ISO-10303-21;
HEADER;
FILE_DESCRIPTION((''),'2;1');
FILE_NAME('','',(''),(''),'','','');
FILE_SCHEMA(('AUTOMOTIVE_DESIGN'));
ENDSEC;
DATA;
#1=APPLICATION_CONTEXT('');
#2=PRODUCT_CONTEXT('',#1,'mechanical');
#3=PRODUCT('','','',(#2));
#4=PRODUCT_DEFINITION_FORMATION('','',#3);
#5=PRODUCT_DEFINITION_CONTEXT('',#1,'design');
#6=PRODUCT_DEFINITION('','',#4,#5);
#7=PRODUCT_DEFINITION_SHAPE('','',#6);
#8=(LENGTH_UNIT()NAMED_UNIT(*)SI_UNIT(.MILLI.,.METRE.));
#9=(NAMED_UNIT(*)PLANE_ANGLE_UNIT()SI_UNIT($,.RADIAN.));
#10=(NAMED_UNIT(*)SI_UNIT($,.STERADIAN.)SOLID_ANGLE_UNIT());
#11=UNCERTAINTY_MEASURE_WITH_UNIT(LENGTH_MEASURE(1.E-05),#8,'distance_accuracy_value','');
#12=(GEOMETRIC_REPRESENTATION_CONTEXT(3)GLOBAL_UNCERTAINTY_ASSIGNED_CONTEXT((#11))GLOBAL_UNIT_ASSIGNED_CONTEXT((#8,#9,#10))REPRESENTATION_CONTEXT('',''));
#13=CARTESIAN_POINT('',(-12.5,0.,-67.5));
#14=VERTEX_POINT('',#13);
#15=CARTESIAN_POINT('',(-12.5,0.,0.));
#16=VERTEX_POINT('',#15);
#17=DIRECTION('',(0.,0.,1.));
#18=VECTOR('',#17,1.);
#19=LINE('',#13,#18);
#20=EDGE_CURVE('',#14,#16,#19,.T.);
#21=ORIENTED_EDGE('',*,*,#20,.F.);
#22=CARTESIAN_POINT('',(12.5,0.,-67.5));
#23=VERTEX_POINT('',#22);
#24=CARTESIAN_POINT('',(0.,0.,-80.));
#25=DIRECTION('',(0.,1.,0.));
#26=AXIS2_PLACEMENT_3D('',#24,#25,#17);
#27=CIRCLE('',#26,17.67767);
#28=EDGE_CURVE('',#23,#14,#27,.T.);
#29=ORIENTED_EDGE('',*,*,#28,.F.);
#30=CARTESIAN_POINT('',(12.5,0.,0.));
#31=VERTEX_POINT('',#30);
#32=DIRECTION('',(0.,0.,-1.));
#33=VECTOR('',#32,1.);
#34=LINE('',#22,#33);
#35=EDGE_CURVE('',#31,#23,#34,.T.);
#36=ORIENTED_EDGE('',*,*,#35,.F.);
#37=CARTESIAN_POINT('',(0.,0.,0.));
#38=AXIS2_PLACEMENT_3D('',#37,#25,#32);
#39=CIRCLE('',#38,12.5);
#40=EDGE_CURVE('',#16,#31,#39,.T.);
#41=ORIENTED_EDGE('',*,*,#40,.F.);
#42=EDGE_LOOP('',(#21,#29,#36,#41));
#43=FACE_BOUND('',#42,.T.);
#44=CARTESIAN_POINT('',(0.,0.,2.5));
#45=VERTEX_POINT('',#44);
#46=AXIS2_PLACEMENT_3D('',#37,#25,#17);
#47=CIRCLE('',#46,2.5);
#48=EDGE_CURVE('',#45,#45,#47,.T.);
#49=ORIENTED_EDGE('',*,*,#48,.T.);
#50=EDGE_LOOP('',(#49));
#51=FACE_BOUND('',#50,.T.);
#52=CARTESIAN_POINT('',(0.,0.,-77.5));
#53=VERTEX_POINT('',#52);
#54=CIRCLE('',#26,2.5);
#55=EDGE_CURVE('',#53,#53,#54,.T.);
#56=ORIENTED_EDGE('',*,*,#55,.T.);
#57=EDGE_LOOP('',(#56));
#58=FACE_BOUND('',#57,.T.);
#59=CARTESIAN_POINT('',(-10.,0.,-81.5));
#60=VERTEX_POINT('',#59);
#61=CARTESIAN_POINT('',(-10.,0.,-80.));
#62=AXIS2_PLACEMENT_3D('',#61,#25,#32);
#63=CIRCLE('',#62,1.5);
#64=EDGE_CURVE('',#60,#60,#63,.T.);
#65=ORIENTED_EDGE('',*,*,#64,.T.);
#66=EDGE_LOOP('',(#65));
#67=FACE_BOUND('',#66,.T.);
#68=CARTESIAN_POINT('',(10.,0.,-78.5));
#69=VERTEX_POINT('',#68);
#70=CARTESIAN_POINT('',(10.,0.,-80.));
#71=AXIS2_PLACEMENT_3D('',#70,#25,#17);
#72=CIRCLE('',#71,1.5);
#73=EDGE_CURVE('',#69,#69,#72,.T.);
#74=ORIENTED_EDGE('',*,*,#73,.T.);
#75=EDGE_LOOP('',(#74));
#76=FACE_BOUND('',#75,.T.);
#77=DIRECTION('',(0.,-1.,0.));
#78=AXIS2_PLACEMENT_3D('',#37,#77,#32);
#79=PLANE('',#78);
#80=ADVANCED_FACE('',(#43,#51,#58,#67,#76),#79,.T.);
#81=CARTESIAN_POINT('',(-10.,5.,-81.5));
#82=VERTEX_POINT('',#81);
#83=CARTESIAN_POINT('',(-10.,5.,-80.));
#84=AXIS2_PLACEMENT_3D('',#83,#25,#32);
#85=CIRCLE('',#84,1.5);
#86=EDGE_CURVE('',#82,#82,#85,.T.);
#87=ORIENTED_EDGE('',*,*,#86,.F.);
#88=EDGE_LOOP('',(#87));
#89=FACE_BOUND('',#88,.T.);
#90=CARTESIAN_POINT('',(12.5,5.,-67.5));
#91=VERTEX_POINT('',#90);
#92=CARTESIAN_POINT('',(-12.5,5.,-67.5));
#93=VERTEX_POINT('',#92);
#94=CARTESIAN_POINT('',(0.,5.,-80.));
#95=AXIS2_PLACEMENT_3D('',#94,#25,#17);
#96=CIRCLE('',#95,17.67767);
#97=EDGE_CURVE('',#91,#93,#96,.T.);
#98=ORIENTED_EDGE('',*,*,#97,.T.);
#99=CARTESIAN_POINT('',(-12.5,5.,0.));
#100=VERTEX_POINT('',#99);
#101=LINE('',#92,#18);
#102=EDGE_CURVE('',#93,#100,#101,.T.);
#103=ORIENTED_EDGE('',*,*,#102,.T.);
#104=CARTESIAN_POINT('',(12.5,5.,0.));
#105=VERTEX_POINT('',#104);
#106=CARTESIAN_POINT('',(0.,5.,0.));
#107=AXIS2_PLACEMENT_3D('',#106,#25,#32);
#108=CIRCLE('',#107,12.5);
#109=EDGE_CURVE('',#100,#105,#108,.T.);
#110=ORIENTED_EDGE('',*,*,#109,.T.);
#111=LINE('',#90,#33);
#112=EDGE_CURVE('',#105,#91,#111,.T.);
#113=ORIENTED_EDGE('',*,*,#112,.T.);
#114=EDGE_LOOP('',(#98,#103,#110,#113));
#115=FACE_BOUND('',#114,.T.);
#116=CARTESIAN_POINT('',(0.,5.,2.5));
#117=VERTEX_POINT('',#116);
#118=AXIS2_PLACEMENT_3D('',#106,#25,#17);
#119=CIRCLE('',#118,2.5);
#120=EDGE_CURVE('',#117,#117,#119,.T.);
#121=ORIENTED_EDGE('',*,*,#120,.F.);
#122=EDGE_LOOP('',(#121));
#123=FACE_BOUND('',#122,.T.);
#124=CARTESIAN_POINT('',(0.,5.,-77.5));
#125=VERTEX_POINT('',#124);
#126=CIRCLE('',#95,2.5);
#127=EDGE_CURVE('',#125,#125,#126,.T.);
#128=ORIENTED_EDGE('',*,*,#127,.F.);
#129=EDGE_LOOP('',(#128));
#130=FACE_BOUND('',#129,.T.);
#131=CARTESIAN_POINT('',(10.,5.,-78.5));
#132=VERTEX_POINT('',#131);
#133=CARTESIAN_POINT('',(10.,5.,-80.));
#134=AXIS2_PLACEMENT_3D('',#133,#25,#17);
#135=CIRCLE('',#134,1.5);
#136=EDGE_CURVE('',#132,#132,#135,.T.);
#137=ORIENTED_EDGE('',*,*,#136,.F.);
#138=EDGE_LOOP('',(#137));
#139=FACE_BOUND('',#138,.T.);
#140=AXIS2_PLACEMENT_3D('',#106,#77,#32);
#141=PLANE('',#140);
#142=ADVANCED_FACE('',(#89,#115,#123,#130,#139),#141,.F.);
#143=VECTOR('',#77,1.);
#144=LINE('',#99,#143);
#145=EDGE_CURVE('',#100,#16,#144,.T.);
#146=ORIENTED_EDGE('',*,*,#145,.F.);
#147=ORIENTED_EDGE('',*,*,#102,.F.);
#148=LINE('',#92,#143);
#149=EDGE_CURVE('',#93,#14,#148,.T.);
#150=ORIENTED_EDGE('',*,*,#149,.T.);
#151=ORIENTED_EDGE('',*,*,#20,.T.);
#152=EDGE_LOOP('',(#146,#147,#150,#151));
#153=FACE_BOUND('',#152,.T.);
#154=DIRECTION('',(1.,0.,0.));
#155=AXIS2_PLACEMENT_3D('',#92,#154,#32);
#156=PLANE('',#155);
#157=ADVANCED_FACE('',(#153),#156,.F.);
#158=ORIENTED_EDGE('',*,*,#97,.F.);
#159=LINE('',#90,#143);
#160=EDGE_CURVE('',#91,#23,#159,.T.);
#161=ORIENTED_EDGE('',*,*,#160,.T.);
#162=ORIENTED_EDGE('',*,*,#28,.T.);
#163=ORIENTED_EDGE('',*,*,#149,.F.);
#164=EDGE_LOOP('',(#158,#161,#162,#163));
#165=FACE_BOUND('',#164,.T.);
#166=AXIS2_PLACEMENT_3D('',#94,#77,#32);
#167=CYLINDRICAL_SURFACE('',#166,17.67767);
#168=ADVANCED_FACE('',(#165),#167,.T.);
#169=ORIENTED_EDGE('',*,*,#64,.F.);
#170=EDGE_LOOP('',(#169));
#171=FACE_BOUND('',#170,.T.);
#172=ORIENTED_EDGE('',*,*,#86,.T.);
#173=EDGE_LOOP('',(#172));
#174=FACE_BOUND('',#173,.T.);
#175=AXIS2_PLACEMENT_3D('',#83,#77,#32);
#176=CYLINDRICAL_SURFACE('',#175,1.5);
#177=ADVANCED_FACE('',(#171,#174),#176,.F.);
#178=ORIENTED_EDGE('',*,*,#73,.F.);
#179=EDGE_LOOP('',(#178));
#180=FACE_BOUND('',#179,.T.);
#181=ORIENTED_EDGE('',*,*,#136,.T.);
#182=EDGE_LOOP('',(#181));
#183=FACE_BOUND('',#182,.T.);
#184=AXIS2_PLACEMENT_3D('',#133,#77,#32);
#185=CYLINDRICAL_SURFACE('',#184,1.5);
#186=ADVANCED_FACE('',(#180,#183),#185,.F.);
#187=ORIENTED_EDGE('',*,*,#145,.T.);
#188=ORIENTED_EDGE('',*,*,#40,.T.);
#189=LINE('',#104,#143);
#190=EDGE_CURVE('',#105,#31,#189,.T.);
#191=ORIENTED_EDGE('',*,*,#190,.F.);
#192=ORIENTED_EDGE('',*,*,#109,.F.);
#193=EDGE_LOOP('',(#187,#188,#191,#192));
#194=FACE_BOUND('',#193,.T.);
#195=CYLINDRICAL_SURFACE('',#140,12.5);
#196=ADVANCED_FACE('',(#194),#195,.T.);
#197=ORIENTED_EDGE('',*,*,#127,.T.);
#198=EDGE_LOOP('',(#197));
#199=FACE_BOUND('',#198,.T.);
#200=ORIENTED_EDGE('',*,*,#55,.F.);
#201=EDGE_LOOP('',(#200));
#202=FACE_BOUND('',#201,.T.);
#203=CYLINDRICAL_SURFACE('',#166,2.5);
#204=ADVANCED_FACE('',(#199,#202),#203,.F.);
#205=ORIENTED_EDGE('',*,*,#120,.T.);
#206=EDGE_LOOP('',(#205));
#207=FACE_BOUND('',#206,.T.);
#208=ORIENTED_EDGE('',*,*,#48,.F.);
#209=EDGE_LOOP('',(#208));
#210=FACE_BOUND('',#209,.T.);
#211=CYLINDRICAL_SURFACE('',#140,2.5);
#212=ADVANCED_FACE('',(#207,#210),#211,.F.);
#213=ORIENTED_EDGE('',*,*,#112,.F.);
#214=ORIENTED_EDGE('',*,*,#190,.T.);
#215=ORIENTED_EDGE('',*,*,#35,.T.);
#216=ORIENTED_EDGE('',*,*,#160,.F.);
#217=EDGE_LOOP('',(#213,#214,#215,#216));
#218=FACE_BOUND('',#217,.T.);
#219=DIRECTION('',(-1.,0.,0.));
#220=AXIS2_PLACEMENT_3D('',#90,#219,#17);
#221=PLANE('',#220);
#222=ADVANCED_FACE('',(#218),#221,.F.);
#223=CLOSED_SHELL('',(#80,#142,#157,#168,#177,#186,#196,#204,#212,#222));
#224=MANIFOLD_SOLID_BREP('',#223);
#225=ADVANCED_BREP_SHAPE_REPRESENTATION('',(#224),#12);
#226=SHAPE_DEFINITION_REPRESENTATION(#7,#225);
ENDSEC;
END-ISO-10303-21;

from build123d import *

# Parameters (mm, degrees)
SKETCH1_R           = 2.5
SKETCH1_R_2         = 1.5
BOSS_EXTRUDE1_DEPTH = 5


with BuildPart() as part:
    # Sketch1 → Boss-Extrude1 (new body)
    with BuildSketch(Plane(origin=(0, 0, 0), x_dir=(1, 0, 0), z_dir=(0, 1, 0))):
        with BuildLine():
            Line((-12.5, 67.5), (-12.5, 0))
            ThreePointArc((-12.5, 0), (0, -12.5), (12.5, 0))
            Line((12.5, 0), (12.5, 67.5))
            ThreePointArc((12.5, 67.5), (0, 97.67766953), (-12.5, 67.5))
        make_face()
        with Locations(Location((0, 0, 0), (0, 0, 270))):
            Circle(SKETCH1_R, mode=Mode.SUBTRACT)
        with Locations(Location((0, 80, 0), (0, 0, 270))):
            Circle(SKETCH1_R, mode=Mode.SUBTRACT)
        with Locations(Location((10, 80, 0), (0, 0, 270))):
            Circle(SKETCH1_R_2, mode=Mode.SUBTRACT)
        with Locations(Location((-10, 80, 0), (0, 0, 90))):
            Circle(SKETCH1_R_2, mode=Mode.SUBTRACT)
    extrude(amount=BOSS_EXTRUDE1_DEPTH)


solid = part.part
